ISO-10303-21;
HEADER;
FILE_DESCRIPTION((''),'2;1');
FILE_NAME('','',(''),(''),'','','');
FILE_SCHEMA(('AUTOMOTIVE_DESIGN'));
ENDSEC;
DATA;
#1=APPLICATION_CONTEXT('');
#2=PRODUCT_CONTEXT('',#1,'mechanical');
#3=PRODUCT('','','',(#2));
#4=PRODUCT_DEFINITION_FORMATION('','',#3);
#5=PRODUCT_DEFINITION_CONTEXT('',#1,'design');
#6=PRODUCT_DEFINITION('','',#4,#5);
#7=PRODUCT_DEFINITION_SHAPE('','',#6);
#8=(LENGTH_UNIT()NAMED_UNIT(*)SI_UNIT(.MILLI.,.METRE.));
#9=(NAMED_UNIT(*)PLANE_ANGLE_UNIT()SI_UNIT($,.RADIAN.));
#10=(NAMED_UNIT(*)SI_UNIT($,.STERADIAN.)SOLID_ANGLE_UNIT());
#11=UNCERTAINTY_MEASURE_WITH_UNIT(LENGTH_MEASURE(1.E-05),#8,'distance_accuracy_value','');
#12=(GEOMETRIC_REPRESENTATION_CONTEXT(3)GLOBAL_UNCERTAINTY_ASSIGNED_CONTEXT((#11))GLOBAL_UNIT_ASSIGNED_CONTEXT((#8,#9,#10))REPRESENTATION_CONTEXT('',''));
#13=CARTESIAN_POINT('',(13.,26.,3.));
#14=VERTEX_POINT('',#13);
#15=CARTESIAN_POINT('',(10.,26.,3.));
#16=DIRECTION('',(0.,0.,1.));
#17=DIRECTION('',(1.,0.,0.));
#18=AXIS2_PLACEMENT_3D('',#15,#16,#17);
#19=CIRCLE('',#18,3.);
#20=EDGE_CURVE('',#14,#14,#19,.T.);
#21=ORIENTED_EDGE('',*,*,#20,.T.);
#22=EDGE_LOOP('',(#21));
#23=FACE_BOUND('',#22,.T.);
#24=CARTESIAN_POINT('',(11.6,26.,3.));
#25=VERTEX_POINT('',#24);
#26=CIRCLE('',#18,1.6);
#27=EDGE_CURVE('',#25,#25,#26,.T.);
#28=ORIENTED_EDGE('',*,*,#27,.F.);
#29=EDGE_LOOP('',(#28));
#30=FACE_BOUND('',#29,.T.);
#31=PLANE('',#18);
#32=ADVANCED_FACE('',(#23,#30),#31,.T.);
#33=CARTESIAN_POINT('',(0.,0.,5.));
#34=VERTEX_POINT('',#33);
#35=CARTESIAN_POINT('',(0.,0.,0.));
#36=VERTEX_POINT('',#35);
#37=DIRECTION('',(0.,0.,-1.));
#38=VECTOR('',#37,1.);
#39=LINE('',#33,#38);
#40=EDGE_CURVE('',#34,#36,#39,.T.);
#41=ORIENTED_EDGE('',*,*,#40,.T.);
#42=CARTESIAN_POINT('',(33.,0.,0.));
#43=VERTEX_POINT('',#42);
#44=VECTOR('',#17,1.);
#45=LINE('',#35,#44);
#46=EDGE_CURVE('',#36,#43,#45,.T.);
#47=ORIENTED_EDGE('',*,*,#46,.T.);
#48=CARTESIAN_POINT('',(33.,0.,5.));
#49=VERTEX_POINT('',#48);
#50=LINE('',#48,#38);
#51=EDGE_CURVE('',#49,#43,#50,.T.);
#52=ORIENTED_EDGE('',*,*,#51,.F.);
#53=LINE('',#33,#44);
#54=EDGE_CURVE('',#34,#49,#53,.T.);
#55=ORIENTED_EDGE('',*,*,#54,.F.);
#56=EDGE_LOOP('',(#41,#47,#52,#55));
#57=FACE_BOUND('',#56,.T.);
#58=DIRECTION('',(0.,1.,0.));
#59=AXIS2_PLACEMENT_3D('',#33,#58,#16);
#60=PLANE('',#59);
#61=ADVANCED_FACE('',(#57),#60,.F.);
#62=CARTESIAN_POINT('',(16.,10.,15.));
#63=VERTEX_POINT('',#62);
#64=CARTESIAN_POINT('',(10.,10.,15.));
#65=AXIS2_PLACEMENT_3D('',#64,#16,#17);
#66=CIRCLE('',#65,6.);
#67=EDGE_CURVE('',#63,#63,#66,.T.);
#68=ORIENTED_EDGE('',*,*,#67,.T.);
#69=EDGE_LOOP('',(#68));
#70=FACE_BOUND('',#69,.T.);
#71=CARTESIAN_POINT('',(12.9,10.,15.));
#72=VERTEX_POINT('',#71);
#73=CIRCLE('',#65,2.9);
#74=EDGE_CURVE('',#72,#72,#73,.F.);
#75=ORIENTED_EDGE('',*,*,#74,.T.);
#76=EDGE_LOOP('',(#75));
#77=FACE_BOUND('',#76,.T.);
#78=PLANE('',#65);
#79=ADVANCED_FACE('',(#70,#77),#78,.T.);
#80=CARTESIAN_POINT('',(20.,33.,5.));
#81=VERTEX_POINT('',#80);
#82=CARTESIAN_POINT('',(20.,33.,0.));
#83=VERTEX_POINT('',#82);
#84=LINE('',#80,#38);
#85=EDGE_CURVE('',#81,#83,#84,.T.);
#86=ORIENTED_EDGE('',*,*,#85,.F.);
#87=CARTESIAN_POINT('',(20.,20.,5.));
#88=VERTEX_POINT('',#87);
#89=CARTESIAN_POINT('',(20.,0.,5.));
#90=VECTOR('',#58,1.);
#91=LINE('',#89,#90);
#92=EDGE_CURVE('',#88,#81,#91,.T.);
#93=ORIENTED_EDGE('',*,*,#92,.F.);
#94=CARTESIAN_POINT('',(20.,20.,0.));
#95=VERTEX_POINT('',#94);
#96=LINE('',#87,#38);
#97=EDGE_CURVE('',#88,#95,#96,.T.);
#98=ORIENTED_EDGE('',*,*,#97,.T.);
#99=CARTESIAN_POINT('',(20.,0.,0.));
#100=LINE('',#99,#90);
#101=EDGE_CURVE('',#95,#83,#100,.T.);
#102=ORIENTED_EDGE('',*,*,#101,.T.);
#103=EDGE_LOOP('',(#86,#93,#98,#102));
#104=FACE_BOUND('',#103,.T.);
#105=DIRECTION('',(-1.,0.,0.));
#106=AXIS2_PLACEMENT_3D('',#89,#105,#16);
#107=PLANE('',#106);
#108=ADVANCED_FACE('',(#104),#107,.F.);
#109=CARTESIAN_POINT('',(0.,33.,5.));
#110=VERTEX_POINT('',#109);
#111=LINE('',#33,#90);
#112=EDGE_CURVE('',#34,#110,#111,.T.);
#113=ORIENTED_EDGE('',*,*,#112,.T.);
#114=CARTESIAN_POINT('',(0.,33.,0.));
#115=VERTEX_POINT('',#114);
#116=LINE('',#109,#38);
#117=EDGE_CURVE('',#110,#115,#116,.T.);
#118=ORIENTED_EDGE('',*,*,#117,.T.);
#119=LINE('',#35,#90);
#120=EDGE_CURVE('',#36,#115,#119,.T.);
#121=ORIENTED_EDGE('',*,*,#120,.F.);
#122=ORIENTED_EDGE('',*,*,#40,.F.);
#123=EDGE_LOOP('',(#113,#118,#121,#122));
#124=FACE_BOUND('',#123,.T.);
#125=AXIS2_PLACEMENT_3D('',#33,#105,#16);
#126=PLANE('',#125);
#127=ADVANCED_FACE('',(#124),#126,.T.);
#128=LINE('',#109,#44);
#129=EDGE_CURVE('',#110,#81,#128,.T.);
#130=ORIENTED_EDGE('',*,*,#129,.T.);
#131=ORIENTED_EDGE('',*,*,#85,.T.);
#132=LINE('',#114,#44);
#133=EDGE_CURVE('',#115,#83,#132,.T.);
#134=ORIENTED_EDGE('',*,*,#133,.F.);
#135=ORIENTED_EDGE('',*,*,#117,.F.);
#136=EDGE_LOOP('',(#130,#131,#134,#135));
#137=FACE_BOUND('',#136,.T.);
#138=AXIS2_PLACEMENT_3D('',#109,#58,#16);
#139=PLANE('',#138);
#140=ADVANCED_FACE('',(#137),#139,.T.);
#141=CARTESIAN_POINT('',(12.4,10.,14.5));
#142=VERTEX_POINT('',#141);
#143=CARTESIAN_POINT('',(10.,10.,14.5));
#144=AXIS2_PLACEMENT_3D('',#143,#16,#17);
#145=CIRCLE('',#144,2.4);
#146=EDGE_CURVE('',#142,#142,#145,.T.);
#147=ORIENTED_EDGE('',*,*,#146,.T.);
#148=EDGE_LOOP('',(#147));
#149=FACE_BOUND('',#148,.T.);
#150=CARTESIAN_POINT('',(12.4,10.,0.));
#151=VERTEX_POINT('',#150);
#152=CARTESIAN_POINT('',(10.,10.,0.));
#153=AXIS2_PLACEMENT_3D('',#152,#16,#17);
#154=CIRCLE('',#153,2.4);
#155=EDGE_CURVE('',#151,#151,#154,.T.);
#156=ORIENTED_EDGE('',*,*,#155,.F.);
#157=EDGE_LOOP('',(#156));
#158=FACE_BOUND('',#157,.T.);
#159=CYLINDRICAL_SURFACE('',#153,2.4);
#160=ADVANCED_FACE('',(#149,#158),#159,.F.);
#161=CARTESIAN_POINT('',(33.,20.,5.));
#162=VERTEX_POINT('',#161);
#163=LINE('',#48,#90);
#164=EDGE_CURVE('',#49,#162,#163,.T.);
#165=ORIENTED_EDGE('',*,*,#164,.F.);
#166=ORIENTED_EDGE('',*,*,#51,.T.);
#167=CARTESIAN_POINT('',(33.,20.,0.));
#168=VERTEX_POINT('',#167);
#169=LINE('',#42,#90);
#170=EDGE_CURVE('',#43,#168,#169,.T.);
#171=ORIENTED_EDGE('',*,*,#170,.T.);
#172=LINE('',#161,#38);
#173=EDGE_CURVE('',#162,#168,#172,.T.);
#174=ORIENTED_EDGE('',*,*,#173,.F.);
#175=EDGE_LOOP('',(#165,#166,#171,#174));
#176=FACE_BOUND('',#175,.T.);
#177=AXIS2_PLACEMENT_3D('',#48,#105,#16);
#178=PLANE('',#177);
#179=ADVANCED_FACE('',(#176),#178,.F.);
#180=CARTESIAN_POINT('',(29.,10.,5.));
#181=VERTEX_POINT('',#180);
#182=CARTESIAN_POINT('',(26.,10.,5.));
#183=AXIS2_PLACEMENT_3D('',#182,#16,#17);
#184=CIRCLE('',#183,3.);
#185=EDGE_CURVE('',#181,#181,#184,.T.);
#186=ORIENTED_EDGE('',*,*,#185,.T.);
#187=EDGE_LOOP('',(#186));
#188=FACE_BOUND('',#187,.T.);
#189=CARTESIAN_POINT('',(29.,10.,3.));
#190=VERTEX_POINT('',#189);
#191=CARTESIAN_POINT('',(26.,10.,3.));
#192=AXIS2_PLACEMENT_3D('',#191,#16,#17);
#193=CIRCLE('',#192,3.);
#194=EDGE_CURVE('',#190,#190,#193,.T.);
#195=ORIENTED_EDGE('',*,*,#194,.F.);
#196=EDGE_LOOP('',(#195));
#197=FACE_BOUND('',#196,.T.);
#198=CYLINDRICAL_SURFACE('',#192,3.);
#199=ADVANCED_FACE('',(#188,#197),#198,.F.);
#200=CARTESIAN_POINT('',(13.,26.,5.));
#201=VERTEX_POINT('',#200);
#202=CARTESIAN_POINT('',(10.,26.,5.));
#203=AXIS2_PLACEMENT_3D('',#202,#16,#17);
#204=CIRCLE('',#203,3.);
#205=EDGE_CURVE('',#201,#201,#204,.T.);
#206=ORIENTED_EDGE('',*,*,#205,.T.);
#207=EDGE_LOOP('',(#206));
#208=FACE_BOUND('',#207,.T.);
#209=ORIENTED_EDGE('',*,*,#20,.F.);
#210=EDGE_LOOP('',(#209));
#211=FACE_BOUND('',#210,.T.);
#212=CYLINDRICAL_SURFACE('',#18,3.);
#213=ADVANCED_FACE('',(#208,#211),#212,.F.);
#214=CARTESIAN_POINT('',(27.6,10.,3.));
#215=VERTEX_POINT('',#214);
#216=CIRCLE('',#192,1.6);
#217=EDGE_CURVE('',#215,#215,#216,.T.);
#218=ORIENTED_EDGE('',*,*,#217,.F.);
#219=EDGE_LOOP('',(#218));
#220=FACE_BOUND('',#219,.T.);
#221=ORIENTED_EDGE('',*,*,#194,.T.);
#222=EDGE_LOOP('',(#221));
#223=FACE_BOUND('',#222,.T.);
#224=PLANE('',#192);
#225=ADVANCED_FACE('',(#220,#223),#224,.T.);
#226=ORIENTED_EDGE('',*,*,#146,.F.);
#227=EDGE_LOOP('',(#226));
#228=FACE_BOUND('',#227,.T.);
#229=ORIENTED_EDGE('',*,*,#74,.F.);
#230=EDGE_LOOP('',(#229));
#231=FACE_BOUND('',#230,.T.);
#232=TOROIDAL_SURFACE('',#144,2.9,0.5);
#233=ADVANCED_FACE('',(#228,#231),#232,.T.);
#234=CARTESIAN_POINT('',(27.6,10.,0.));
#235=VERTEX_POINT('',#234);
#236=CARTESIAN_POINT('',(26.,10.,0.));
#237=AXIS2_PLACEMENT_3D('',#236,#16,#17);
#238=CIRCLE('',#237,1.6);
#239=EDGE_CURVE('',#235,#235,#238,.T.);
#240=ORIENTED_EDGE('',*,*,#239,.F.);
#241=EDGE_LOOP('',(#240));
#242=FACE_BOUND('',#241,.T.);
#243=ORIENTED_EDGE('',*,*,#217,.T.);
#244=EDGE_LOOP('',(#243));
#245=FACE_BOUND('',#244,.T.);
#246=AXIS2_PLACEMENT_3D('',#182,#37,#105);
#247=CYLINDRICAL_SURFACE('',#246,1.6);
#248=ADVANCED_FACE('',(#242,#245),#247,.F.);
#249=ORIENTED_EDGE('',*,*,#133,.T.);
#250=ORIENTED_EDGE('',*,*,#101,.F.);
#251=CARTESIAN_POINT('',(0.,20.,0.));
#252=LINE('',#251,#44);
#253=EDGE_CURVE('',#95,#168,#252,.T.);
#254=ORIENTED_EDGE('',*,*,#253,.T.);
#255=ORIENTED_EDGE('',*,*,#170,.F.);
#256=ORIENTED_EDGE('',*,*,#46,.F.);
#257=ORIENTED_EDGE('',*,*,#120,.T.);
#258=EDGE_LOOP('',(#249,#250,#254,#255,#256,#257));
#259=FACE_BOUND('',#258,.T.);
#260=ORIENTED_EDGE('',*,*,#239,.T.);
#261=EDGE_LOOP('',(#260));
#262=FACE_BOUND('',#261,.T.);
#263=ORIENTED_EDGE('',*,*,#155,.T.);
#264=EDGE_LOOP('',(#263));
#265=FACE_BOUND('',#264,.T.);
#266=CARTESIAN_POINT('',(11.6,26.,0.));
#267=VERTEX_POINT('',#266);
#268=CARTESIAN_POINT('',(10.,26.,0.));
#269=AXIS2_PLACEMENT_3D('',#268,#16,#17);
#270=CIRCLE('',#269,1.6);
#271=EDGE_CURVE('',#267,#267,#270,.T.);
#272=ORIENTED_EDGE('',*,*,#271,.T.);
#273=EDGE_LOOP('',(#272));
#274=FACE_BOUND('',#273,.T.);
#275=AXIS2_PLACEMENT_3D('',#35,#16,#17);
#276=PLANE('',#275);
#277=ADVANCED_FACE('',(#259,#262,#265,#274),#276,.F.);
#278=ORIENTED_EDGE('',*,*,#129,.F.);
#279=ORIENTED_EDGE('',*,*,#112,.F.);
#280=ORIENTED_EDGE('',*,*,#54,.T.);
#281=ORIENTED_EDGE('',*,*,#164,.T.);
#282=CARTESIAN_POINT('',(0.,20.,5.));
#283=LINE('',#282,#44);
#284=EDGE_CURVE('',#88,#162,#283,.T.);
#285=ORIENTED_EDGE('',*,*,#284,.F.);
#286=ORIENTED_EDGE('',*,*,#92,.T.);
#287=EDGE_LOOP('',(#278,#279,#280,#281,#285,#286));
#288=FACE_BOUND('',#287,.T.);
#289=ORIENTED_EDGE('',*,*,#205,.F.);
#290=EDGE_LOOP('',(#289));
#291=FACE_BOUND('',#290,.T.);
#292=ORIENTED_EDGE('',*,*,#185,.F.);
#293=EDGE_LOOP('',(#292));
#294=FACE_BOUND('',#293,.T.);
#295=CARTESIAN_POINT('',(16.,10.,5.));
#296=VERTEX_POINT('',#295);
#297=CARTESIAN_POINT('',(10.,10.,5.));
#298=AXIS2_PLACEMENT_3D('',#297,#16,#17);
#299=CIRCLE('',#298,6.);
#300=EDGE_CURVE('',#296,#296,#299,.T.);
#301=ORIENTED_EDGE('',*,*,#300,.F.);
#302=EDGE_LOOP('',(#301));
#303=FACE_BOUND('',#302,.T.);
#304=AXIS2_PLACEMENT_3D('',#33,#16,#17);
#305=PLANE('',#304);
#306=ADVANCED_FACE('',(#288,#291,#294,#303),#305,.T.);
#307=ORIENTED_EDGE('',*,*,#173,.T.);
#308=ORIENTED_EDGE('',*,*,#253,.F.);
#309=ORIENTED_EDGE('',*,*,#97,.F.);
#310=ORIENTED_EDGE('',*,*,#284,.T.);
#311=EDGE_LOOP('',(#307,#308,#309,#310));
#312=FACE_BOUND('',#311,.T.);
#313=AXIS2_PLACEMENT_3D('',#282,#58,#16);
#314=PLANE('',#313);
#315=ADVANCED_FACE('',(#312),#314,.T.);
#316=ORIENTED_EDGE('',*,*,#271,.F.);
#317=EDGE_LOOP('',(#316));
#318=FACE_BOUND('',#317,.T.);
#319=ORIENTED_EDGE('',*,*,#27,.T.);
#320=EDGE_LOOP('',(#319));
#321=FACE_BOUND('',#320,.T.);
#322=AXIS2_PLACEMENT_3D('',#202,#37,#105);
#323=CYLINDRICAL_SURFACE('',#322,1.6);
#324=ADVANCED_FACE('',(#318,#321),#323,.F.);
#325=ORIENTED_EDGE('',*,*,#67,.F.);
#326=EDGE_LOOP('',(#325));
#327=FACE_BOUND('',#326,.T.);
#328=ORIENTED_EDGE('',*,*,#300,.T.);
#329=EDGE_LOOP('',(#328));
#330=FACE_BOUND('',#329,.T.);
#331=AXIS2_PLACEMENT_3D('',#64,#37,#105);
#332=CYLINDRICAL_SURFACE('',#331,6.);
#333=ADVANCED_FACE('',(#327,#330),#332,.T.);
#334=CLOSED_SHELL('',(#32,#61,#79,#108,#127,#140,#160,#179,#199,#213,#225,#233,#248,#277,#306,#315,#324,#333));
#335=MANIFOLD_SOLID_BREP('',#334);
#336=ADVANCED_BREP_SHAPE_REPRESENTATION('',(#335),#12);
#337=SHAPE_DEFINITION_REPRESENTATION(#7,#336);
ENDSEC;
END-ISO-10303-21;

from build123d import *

# Parameters (mm, degrees)
SKETCH_1_W          = 20
SKETCH_1_H          = 20
SKETCH_1_H_2        = 13
SKETCH_1_R          = 1.6
SKETCH_1_W_2        = 13
EXTRUDE_1_DEPTH     = 5
SKETCH_2_R          = 6
EXTRUDE_2_DEPTH     = 10
SKETCH_3_R          = 2.4
CUT_EXTRUDE_1_DEPTH = 50.020403915
SKETCH_4_R          = 3
CUT_EXTRUDE_2_DEPTH = 2
FILLET_1_R          = 0.5


with BuildPart() as part:
    # 草图1 → 凸台-拉伸1 (new body)
    # profile 1 of 3: a face of its own
    with BuildSketch(Plane.XY):
        with Locations((10, 10)):
            Rectangle(SKETCH_1_W, SKETCH_1_H)
    # profile 2 of 3: a face of its own
    with BuildSketch(Plane.XY):
        with Locations((10, 26.5)):
            Rectangle(SKETCH_1_W, SKETCH_1_H_2)
        with Locations((10, 26)):
            Circle(SKETCH_1_R, mode=Mode.SUBTRACT)
    # profile 3 of 3: a face of its own
    with BuildSketch(Plane.XY):
        with Locations((26.5, 10)):
            Rectangle(SKETCH_1_W_2, SKETCH_1_H)
        with Locations((26, 10)):
            Circle(SKETCH_1_R, mode=Mode.SUBTRACT)
    extrude(amount=EXTRUDE_1_DEPTH)

    # 草图2 → 凸台-拉伸2 (add)
    with BuildSketch(Plane.XY.offset(5)):
        with Locations((10, 10)):
            Circle(SKETCH_2_R)
    extrude(amount=EXTRUDE_2_DEPTH)

    # 草图3 → 切除-拉伸1 (cut, through all)
    with BuildSketch(Plane.XY.offset(15)):
        with Locations((10, 10)):
            Circle(SKETCH_3_R)
    extrude(amount=-CUT_EXTRUDE_1_DEPTH, mode=Mode.SUBTRACT)

    # 草图4 → 切除-拉伸2 (cut)
    with BuildSketch(Plane.XY.offset(5)):
        with Locations((10, 26)):
            Circle(SKETCH_4_R)
        with Locations((26, 10)):
            Circle(SKETCH_4_R)
    extrude(amount=-CUT_EXTRUDE_2_DEPTH, mode=Mode.SUBTRACT)

    # 圆角1
    fillet_1_edges = [part.edges().sort_by_distance(p)[0] for p in [
        (7.6, 10, 15),
    ]]
    fillet(fillet_1_edges, radius=FILLET_1_R)


solid = part.part
